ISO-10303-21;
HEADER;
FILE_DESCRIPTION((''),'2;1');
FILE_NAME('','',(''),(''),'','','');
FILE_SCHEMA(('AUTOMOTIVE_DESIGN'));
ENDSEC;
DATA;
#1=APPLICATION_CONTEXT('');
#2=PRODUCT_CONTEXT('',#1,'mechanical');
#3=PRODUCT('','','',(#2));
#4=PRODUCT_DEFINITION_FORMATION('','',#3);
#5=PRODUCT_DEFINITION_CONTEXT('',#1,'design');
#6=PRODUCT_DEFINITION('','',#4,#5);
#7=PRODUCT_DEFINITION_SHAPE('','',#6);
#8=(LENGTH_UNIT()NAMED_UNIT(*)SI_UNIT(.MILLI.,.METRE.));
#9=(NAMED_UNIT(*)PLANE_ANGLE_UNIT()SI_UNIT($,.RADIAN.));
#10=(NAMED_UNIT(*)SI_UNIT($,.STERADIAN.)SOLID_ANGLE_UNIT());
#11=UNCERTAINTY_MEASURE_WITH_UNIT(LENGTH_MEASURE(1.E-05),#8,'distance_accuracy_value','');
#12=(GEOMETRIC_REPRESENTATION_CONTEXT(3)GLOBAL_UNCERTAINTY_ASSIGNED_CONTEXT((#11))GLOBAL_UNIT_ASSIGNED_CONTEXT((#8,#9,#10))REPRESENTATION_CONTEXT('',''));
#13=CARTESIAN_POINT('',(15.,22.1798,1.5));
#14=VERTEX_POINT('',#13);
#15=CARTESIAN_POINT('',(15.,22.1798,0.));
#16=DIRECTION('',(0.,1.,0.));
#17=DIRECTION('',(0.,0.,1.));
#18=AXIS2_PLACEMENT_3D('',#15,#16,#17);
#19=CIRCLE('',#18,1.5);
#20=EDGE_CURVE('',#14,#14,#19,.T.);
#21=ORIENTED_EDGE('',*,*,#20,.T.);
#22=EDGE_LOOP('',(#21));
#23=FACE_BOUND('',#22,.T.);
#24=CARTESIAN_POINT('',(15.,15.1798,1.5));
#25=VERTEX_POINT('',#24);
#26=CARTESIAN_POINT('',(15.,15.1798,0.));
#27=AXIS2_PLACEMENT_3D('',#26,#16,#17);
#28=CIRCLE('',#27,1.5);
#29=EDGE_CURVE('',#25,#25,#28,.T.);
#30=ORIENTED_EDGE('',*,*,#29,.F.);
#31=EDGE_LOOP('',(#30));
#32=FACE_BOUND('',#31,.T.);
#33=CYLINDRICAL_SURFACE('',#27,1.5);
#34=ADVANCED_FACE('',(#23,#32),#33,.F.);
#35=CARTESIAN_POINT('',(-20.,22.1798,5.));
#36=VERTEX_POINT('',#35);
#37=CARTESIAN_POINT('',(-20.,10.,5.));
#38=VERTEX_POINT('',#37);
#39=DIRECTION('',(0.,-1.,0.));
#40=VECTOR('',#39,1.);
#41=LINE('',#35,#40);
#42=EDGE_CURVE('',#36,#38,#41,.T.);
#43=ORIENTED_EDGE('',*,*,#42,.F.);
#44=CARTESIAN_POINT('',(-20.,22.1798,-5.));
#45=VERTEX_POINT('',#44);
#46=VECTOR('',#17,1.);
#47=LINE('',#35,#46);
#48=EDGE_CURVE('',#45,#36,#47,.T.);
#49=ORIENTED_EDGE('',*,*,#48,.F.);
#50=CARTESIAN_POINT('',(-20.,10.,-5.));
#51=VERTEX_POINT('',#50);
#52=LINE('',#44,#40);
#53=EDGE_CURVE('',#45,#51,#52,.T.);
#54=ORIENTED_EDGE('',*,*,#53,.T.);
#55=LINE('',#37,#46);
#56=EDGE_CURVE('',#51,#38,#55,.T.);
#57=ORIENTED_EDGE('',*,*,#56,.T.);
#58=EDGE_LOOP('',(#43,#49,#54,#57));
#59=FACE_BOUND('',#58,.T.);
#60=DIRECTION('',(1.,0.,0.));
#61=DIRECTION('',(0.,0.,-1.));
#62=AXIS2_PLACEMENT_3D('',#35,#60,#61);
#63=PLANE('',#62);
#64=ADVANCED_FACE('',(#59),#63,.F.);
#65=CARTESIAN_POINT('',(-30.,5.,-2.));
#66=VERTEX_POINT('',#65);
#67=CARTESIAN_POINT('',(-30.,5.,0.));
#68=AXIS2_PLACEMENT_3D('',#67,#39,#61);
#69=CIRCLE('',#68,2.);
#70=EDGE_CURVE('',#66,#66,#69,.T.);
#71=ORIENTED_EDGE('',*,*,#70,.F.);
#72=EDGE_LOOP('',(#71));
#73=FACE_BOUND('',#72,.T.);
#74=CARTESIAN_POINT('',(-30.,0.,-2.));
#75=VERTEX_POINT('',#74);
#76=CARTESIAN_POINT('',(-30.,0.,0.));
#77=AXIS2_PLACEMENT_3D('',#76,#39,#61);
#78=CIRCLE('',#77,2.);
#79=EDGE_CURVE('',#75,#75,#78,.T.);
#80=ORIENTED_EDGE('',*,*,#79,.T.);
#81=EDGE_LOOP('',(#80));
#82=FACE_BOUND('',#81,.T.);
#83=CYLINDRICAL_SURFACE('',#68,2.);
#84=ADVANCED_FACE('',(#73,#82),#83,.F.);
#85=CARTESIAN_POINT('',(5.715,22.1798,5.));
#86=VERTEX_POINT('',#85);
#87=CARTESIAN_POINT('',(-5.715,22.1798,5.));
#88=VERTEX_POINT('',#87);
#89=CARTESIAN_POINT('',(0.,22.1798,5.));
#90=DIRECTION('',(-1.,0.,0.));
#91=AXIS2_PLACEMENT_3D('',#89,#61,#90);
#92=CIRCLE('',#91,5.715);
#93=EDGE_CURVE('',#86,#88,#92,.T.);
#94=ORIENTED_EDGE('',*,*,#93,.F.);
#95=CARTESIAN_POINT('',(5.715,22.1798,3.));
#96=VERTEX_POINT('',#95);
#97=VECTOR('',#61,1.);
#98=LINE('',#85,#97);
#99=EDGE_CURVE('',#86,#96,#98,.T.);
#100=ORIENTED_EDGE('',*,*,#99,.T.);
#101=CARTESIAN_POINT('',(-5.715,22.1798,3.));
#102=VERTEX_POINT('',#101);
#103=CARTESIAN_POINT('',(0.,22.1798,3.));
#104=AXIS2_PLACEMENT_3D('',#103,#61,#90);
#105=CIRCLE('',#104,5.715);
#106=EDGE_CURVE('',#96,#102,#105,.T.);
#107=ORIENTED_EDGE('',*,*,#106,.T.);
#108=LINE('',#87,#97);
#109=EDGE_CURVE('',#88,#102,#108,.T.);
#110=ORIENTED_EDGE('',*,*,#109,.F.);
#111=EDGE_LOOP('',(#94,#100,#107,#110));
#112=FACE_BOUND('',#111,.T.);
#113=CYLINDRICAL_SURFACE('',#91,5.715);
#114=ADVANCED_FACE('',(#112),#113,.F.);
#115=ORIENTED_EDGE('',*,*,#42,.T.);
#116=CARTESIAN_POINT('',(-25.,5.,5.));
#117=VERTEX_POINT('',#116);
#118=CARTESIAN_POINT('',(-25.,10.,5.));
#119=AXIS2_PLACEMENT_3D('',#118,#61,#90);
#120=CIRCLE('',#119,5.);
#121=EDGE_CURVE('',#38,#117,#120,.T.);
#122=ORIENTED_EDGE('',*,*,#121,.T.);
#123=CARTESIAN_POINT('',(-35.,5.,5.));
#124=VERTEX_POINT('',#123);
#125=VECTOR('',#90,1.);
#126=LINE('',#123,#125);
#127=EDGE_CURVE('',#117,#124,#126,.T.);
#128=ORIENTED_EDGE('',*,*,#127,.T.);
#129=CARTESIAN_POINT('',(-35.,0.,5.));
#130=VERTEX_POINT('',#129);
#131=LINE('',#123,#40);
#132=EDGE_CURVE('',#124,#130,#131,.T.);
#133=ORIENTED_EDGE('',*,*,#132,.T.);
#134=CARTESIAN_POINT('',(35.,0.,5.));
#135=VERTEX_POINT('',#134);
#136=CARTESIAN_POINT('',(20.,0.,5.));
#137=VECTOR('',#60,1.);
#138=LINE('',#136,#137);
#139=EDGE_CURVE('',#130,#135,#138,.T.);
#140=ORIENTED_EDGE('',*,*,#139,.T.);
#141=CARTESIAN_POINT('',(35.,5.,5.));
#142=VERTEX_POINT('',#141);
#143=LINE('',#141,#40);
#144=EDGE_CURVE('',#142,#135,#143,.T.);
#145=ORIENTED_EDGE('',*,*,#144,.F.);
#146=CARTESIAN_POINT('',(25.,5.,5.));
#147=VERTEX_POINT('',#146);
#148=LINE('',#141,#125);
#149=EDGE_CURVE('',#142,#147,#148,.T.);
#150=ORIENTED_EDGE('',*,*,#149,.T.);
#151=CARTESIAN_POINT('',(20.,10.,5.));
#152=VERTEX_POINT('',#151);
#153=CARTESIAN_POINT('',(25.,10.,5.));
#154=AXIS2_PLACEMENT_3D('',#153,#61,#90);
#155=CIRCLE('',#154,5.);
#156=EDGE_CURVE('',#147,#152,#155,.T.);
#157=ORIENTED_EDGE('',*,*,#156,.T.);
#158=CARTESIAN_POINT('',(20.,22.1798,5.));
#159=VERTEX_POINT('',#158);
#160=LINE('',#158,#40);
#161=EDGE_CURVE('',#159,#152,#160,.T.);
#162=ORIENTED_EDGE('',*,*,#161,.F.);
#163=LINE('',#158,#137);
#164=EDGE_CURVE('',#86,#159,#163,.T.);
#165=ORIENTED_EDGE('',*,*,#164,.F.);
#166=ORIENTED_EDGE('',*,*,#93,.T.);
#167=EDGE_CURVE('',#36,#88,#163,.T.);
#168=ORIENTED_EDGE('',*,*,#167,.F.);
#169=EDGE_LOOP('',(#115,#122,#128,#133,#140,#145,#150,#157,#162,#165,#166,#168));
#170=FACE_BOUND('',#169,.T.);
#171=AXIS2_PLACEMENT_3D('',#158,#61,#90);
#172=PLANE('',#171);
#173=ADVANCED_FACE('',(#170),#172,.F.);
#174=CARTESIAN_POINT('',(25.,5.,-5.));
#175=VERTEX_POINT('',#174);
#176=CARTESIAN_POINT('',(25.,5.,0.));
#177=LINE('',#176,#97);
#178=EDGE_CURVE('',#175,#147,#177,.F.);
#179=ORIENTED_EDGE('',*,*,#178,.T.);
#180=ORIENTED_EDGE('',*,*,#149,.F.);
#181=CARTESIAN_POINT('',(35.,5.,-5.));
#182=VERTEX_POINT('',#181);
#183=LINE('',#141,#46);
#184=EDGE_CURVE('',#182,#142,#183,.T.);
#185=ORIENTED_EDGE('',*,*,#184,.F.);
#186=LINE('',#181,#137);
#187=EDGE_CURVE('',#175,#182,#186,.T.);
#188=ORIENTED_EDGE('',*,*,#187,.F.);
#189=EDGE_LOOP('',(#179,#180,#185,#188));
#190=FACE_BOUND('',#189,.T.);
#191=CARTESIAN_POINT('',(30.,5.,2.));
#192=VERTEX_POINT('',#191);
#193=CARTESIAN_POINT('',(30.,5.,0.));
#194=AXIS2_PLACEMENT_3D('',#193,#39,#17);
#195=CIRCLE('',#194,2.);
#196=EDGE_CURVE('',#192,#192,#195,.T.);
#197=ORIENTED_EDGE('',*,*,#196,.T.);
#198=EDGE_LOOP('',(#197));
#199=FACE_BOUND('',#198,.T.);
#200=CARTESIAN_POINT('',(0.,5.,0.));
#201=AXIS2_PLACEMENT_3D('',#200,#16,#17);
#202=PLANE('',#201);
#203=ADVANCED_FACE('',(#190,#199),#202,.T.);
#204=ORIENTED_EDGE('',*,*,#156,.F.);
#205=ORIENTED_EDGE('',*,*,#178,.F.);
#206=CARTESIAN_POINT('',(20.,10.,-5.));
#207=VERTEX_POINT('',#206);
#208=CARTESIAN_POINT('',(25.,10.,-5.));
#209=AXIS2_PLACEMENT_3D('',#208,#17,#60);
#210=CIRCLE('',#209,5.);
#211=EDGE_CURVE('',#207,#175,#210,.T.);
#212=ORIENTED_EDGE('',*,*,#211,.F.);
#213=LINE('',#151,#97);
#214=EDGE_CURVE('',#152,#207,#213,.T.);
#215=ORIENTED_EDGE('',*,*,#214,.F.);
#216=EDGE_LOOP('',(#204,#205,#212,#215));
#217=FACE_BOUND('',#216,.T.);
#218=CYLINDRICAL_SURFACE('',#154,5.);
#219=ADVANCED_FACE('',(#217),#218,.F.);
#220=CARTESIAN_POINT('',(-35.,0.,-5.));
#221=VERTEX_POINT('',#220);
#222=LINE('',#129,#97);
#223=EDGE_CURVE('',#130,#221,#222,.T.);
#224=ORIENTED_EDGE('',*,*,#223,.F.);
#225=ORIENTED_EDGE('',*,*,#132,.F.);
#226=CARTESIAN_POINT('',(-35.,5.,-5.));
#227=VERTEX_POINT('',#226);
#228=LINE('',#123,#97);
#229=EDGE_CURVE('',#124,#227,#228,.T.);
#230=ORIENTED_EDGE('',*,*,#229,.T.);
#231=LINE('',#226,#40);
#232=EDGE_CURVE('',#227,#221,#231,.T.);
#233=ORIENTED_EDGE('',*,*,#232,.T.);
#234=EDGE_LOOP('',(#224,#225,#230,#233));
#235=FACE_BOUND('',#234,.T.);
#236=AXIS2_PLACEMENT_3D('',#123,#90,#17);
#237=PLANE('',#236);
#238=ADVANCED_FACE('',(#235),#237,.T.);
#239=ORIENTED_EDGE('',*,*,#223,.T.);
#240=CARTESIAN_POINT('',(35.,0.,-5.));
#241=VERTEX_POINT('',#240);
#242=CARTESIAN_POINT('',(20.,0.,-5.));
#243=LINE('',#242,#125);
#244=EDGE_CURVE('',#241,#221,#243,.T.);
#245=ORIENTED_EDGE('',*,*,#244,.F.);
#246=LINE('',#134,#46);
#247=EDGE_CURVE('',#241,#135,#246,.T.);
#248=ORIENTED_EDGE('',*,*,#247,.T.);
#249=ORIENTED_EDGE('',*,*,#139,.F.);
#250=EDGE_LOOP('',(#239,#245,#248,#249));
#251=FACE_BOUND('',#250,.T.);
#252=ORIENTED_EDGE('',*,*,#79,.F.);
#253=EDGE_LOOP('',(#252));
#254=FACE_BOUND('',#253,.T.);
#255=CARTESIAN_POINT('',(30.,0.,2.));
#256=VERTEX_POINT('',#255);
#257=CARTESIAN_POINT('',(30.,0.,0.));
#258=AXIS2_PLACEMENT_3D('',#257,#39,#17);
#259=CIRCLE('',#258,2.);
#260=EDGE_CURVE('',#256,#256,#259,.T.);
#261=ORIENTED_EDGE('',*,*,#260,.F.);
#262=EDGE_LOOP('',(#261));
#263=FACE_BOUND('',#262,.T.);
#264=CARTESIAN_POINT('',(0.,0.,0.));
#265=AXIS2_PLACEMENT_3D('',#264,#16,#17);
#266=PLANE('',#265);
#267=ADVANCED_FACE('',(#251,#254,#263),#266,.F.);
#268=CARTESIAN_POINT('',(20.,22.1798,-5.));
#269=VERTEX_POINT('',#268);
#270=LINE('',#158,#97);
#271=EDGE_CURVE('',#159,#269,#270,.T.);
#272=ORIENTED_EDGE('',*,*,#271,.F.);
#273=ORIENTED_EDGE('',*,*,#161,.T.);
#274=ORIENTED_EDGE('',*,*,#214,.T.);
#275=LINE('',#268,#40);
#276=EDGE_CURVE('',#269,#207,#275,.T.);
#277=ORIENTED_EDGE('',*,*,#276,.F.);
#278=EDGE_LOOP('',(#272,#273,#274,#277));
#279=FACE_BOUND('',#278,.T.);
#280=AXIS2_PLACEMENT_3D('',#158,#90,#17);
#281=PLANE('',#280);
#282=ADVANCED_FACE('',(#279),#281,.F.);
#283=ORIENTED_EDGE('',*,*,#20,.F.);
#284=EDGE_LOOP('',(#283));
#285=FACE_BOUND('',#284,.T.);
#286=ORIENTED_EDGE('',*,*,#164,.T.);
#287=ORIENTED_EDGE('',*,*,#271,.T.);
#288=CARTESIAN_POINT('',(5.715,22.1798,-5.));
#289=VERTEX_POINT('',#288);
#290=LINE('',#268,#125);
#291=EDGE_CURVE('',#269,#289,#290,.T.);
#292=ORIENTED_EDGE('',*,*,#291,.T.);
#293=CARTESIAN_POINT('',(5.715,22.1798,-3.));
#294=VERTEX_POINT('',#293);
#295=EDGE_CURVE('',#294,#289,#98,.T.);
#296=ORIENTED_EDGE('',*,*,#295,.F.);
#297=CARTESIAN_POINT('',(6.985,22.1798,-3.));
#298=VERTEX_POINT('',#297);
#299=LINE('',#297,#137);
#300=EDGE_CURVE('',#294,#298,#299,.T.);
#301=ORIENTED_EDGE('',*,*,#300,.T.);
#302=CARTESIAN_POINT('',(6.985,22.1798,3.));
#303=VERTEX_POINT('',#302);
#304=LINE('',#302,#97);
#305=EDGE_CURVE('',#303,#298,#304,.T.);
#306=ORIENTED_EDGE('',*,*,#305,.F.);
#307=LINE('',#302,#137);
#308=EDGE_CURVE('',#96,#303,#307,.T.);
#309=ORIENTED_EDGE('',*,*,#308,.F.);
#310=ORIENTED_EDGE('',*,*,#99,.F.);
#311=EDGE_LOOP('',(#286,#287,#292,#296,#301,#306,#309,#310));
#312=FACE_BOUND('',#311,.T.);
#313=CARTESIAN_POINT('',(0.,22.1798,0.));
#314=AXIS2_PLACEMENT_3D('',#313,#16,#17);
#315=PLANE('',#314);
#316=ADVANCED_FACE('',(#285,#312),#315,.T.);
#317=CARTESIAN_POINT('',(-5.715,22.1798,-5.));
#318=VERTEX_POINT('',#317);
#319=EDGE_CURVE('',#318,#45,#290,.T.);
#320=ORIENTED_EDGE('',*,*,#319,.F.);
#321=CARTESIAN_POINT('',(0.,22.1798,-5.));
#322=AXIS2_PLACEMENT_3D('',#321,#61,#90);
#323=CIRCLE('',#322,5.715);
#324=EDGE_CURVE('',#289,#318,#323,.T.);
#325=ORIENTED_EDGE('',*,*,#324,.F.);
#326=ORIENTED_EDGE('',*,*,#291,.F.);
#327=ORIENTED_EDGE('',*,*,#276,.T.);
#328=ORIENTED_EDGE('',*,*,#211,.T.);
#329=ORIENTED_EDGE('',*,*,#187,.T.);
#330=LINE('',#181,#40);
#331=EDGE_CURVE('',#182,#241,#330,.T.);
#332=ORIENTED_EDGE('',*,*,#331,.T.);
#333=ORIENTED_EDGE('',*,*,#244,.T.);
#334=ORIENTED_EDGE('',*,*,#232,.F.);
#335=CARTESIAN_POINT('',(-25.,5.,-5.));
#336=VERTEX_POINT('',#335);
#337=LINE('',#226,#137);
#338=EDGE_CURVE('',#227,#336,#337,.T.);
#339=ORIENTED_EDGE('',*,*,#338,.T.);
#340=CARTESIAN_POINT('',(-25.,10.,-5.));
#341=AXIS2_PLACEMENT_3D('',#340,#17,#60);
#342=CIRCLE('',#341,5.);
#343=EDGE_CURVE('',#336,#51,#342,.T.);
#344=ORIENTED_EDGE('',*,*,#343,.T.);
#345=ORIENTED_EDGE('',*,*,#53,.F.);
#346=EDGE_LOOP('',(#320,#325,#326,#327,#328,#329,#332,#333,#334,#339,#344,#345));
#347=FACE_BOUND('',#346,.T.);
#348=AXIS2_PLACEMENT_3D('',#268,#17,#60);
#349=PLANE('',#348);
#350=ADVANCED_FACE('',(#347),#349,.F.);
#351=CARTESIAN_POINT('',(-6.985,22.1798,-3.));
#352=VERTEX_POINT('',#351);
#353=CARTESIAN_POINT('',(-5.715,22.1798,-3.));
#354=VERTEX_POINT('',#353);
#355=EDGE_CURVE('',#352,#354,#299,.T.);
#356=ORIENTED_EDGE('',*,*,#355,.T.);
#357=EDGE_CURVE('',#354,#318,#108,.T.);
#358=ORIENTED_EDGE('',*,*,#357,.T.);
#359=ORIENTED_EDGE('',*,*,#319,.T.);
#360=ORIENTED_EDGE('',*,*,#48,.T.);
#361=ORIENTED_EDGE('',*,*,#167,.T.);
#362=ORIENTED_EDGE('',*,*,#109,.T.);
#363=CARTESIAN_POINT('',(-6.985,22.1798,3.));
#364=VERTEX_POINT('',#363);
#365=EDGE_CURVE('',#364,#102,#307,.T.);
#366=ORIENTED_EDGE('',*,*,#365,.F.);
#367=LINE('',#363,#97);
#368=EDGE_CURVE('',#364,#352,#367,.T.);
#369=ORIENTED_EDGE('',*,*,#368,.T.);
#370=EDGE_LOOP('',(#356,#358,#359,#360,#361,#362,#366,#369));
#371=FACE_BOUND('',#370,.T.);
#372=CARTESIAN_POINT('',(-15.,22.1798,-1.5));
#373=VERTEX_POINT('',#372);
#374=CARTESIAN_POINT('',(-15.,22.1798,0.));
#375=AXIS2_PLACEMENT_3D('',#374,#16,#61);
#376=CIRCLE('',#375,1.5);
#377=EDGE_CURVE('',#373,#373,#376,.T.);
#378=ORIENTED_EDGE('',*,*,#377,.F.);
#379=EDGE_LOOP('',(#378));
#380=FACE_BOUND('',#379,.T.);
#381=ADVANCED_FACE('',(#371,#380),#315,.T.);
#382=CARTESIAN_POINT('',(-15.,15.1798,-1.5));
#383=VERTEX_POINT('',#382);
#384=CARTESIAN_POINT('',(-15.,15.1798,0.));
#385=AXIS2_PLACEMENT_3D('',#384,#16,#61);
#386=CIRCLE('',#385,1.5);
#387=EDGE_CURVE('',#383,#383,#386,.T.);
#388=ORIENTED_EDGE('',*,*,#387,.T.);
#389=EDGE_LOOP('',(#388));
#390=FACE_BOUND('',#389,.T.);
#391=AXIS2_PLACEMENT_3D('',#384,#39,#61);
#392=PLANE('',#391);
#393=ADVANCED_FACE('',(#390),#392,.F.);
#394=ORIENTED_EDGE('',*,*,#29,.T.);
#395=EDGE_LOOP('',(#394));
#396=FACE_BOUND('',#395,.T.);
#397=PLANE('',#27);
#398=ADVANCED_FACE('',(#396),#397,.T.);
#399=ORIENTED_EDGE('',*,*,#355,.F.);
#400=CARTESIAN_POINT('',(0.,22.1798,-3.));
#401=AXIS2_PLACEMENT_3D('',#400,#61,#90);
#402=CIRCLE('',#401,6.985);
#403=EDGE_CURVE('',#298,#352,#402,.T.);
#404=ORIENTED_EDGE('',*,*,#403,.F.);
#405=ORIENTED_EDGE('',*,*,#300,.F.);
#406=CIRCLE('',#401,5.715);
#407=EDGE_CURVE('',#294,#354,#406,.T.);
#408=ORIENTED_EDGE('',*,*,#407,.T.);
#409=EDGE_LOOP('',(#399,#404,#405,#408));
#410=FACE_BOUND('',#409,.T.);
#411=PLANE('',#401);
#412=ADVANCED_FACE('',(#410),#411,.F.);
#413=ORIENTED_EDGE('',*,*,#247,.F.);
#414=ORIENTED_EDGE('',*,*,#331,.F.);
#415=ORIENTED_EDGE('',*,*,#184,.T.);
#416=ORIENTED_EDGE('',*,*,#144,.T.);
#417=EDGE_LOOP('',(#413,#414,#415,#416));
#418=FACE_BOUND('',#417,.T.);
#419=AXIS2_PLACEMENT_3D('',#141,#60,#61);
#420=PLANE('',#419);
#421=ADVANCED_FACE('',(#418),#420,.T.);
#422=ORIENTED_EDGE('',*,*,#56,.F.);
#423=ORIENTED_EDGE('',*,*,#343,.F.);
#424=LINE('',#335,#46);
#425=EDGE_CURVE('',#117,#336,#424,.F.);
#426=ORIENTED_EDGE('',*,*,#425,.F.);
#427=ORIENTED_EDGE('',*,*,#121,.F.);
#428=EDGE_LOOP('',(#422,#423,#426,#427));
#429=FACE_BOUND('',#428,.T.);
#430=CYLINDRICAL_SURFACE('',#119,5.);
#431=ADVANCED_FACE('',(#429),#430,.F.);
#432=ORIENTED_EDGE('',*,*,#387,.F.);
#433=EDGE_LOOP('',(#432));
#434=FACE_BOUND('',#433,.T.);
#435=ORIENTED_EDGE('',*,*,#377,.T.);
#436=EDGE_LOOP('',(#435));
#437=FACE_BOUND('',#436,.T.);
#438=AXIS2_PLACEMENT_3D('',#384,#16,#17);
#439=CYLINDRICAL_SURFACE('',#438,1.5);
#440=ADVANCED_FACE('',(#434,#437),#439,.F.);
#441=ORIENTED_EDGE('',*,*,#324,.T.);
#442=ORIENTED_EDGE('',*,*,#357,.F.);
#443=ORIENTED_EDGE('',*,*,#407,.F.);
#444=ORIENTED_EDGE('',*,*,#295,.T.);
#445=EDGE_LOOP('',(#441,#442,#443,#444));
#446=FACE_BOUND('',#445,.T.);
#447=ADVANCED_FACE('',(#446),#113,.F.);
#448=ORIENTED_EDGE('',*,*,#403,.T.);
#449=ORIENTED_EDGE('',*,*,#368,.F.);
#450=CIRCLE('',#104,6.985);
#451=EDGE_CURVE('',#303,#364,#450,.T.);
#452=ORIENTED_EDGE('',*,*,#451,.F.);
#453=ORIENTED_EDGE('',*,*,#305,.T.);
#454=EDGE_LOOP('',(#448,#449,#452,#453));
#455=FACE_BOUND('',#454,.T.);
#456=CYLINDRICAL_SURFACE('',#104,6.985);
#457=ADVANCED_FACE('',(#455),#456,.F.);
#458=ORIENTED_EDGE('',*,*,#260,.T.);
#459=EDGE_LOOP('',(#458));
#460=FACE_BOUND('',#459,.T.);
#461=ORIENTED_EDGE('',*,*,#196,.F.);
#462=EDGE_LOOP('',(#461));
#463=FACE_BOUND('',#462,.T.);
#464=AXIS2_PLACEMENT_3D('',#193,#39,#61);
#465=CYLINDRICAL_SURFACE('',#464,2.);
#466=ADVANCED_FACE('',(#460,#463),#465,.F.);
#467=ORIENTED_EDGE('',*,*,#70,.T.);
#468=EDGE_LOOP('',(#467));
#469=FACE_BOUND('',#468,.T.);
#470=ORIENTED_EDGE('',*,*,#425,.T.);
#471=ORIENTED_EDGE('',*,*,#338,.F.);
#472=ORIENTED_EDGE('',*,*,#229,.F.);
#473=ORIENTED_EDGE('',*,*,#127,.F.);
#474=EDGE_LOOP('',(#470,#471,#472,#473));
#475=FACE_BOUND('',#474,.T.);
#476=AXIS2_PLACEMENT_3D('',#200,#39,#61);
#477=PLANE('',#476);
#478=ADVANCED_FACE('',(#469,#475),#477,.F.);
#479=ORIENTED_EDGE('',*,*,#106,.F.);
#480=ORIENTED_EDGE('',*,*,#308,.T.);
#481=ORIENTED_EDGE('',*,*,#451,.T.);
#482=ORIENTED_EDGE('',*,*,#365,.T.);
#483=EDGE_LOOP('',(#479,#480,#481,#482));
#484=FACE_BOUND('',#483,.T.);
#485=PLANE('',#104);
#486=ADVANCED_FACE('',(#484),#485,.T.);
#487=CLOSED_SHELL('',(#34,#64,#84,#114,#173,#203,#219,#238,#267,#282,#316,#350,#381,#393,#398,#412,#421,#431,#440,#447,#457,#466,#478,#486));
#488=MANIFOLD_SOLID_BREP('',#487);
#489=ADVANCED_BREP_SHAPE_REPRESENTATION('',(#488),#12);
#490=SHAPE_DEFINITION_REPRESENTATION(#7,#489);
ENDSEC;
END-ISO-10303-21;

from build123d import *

# Parameters (mm, degrees)
SKETCH1_W           = 40
SKETCH1_H           = 10
BOSS_EXTRUDE1_DEPTH = 22.1798
CUT_EXTRUDE1_DEPTH  = 3
CUT_EXTRUDE2_DEPTH  = 5
SKETCH4_R           = 1.5
CUT_EXTRUDE3_DEPTH  = 7
SKETCH5_W           = 15
SKETCH5_H           = 10
SKETCH5_R           = 2
BOSS_EXTRUDE2_DEPTH = 5
FILLET1_R           = 5


with BuildPart() as part:
    # Sketch1 → Boss-Extrude1 (new body)
    with BuildSketch(Plane(origin=(0, 0, 0), x_dir=(1, 0, 0), z_dir=(0, 1, 0))):
        Rectangle(SKETCH1_W, SKETCH1_H)
    extrude(amount=BOSS_EXTRUDE1_DEPTH)

    # Sketch2 → Cut-Extrude1 (cut, symmetric)
    with BuildSketch(Plane(origin=(0, 0, 0), x_dir=(-1, 0, 0), z_dir=(0, 0, -1))):
        with BuildLine():
            Line((-6.985, 22.1798), (6.985, 22.1798))
            ThreePointArc((6.985, 22.1798), (0, 15.1948), (-6.985, 22.1798))
        make_face()
    extrude(amount=CUT_EXTRUDE1_DEPTH, both=True, mode=Mode.SUBTRACT)

    # Sketch3 → Cut-Extrude2 (cut, symmetric)
    with BuildSketch(Plane(origin=(0, 0, 0), x_dir=(-1, 0, 0), z_dir=(0, 0, -1))):
        with BuildLine():
            Line((-5.715, 22.1798), (5.715, 22.1798))
            ThreePointArc((5.715, 22.1798), (0, 16.4648), (-5.715, 22.1798))
        make_face()
    extrude(amount=CUT_EXTRUDE2_DEPTH, both=True, mode=Mode.SUBTRACT)

    # Sketch4 → Cut-Extrude3 (cut)
    with BuildSketch(Plane(origin=(0, 22.1798, 0), x_dir=(1, 0, 0), z_dir=(0, 1, 0))):
        with Locations((15, 0)):
            Circle(SKETCH4_R)
        with Locations((-15, 0)):
            Circle(SKETCH4_R)
    extrude(amount=-CUT_EXTRUDE3_DEPTH, mode=Mode.SUBTRACT)

    # Sketch5 → Boss-Extrude2 (add)
    with BuildSketch(Plane.XZ):
        with Locations((-27.5, 0)):
            Rectangle(SKETCH5_W, SKETCH5_H)
        with Locations((-30, 0)):
            Circle(SKETCH5_R, mode=Mode.SUBTRACT)
        with Locations((27.5, 0)):
            Rectangle(SKETCH5_W, SKETCH5_H)
        with Locations((30, 0)):
            Circle(SKETCH5_R, mode=Mode.SUBTRACT)
    extrude(amount=-BOSS_EXTRUDE2_DEPTH)

    # Fillet1
    fillet1_edges = [part.edges().sort_by_distance(p)[0] for p in [
        (-20, 5, 0),
        (20, 5, 0),
    ]]
    fillet(fillet1_edges, radius=FILLET1_R)


solid = part.part
